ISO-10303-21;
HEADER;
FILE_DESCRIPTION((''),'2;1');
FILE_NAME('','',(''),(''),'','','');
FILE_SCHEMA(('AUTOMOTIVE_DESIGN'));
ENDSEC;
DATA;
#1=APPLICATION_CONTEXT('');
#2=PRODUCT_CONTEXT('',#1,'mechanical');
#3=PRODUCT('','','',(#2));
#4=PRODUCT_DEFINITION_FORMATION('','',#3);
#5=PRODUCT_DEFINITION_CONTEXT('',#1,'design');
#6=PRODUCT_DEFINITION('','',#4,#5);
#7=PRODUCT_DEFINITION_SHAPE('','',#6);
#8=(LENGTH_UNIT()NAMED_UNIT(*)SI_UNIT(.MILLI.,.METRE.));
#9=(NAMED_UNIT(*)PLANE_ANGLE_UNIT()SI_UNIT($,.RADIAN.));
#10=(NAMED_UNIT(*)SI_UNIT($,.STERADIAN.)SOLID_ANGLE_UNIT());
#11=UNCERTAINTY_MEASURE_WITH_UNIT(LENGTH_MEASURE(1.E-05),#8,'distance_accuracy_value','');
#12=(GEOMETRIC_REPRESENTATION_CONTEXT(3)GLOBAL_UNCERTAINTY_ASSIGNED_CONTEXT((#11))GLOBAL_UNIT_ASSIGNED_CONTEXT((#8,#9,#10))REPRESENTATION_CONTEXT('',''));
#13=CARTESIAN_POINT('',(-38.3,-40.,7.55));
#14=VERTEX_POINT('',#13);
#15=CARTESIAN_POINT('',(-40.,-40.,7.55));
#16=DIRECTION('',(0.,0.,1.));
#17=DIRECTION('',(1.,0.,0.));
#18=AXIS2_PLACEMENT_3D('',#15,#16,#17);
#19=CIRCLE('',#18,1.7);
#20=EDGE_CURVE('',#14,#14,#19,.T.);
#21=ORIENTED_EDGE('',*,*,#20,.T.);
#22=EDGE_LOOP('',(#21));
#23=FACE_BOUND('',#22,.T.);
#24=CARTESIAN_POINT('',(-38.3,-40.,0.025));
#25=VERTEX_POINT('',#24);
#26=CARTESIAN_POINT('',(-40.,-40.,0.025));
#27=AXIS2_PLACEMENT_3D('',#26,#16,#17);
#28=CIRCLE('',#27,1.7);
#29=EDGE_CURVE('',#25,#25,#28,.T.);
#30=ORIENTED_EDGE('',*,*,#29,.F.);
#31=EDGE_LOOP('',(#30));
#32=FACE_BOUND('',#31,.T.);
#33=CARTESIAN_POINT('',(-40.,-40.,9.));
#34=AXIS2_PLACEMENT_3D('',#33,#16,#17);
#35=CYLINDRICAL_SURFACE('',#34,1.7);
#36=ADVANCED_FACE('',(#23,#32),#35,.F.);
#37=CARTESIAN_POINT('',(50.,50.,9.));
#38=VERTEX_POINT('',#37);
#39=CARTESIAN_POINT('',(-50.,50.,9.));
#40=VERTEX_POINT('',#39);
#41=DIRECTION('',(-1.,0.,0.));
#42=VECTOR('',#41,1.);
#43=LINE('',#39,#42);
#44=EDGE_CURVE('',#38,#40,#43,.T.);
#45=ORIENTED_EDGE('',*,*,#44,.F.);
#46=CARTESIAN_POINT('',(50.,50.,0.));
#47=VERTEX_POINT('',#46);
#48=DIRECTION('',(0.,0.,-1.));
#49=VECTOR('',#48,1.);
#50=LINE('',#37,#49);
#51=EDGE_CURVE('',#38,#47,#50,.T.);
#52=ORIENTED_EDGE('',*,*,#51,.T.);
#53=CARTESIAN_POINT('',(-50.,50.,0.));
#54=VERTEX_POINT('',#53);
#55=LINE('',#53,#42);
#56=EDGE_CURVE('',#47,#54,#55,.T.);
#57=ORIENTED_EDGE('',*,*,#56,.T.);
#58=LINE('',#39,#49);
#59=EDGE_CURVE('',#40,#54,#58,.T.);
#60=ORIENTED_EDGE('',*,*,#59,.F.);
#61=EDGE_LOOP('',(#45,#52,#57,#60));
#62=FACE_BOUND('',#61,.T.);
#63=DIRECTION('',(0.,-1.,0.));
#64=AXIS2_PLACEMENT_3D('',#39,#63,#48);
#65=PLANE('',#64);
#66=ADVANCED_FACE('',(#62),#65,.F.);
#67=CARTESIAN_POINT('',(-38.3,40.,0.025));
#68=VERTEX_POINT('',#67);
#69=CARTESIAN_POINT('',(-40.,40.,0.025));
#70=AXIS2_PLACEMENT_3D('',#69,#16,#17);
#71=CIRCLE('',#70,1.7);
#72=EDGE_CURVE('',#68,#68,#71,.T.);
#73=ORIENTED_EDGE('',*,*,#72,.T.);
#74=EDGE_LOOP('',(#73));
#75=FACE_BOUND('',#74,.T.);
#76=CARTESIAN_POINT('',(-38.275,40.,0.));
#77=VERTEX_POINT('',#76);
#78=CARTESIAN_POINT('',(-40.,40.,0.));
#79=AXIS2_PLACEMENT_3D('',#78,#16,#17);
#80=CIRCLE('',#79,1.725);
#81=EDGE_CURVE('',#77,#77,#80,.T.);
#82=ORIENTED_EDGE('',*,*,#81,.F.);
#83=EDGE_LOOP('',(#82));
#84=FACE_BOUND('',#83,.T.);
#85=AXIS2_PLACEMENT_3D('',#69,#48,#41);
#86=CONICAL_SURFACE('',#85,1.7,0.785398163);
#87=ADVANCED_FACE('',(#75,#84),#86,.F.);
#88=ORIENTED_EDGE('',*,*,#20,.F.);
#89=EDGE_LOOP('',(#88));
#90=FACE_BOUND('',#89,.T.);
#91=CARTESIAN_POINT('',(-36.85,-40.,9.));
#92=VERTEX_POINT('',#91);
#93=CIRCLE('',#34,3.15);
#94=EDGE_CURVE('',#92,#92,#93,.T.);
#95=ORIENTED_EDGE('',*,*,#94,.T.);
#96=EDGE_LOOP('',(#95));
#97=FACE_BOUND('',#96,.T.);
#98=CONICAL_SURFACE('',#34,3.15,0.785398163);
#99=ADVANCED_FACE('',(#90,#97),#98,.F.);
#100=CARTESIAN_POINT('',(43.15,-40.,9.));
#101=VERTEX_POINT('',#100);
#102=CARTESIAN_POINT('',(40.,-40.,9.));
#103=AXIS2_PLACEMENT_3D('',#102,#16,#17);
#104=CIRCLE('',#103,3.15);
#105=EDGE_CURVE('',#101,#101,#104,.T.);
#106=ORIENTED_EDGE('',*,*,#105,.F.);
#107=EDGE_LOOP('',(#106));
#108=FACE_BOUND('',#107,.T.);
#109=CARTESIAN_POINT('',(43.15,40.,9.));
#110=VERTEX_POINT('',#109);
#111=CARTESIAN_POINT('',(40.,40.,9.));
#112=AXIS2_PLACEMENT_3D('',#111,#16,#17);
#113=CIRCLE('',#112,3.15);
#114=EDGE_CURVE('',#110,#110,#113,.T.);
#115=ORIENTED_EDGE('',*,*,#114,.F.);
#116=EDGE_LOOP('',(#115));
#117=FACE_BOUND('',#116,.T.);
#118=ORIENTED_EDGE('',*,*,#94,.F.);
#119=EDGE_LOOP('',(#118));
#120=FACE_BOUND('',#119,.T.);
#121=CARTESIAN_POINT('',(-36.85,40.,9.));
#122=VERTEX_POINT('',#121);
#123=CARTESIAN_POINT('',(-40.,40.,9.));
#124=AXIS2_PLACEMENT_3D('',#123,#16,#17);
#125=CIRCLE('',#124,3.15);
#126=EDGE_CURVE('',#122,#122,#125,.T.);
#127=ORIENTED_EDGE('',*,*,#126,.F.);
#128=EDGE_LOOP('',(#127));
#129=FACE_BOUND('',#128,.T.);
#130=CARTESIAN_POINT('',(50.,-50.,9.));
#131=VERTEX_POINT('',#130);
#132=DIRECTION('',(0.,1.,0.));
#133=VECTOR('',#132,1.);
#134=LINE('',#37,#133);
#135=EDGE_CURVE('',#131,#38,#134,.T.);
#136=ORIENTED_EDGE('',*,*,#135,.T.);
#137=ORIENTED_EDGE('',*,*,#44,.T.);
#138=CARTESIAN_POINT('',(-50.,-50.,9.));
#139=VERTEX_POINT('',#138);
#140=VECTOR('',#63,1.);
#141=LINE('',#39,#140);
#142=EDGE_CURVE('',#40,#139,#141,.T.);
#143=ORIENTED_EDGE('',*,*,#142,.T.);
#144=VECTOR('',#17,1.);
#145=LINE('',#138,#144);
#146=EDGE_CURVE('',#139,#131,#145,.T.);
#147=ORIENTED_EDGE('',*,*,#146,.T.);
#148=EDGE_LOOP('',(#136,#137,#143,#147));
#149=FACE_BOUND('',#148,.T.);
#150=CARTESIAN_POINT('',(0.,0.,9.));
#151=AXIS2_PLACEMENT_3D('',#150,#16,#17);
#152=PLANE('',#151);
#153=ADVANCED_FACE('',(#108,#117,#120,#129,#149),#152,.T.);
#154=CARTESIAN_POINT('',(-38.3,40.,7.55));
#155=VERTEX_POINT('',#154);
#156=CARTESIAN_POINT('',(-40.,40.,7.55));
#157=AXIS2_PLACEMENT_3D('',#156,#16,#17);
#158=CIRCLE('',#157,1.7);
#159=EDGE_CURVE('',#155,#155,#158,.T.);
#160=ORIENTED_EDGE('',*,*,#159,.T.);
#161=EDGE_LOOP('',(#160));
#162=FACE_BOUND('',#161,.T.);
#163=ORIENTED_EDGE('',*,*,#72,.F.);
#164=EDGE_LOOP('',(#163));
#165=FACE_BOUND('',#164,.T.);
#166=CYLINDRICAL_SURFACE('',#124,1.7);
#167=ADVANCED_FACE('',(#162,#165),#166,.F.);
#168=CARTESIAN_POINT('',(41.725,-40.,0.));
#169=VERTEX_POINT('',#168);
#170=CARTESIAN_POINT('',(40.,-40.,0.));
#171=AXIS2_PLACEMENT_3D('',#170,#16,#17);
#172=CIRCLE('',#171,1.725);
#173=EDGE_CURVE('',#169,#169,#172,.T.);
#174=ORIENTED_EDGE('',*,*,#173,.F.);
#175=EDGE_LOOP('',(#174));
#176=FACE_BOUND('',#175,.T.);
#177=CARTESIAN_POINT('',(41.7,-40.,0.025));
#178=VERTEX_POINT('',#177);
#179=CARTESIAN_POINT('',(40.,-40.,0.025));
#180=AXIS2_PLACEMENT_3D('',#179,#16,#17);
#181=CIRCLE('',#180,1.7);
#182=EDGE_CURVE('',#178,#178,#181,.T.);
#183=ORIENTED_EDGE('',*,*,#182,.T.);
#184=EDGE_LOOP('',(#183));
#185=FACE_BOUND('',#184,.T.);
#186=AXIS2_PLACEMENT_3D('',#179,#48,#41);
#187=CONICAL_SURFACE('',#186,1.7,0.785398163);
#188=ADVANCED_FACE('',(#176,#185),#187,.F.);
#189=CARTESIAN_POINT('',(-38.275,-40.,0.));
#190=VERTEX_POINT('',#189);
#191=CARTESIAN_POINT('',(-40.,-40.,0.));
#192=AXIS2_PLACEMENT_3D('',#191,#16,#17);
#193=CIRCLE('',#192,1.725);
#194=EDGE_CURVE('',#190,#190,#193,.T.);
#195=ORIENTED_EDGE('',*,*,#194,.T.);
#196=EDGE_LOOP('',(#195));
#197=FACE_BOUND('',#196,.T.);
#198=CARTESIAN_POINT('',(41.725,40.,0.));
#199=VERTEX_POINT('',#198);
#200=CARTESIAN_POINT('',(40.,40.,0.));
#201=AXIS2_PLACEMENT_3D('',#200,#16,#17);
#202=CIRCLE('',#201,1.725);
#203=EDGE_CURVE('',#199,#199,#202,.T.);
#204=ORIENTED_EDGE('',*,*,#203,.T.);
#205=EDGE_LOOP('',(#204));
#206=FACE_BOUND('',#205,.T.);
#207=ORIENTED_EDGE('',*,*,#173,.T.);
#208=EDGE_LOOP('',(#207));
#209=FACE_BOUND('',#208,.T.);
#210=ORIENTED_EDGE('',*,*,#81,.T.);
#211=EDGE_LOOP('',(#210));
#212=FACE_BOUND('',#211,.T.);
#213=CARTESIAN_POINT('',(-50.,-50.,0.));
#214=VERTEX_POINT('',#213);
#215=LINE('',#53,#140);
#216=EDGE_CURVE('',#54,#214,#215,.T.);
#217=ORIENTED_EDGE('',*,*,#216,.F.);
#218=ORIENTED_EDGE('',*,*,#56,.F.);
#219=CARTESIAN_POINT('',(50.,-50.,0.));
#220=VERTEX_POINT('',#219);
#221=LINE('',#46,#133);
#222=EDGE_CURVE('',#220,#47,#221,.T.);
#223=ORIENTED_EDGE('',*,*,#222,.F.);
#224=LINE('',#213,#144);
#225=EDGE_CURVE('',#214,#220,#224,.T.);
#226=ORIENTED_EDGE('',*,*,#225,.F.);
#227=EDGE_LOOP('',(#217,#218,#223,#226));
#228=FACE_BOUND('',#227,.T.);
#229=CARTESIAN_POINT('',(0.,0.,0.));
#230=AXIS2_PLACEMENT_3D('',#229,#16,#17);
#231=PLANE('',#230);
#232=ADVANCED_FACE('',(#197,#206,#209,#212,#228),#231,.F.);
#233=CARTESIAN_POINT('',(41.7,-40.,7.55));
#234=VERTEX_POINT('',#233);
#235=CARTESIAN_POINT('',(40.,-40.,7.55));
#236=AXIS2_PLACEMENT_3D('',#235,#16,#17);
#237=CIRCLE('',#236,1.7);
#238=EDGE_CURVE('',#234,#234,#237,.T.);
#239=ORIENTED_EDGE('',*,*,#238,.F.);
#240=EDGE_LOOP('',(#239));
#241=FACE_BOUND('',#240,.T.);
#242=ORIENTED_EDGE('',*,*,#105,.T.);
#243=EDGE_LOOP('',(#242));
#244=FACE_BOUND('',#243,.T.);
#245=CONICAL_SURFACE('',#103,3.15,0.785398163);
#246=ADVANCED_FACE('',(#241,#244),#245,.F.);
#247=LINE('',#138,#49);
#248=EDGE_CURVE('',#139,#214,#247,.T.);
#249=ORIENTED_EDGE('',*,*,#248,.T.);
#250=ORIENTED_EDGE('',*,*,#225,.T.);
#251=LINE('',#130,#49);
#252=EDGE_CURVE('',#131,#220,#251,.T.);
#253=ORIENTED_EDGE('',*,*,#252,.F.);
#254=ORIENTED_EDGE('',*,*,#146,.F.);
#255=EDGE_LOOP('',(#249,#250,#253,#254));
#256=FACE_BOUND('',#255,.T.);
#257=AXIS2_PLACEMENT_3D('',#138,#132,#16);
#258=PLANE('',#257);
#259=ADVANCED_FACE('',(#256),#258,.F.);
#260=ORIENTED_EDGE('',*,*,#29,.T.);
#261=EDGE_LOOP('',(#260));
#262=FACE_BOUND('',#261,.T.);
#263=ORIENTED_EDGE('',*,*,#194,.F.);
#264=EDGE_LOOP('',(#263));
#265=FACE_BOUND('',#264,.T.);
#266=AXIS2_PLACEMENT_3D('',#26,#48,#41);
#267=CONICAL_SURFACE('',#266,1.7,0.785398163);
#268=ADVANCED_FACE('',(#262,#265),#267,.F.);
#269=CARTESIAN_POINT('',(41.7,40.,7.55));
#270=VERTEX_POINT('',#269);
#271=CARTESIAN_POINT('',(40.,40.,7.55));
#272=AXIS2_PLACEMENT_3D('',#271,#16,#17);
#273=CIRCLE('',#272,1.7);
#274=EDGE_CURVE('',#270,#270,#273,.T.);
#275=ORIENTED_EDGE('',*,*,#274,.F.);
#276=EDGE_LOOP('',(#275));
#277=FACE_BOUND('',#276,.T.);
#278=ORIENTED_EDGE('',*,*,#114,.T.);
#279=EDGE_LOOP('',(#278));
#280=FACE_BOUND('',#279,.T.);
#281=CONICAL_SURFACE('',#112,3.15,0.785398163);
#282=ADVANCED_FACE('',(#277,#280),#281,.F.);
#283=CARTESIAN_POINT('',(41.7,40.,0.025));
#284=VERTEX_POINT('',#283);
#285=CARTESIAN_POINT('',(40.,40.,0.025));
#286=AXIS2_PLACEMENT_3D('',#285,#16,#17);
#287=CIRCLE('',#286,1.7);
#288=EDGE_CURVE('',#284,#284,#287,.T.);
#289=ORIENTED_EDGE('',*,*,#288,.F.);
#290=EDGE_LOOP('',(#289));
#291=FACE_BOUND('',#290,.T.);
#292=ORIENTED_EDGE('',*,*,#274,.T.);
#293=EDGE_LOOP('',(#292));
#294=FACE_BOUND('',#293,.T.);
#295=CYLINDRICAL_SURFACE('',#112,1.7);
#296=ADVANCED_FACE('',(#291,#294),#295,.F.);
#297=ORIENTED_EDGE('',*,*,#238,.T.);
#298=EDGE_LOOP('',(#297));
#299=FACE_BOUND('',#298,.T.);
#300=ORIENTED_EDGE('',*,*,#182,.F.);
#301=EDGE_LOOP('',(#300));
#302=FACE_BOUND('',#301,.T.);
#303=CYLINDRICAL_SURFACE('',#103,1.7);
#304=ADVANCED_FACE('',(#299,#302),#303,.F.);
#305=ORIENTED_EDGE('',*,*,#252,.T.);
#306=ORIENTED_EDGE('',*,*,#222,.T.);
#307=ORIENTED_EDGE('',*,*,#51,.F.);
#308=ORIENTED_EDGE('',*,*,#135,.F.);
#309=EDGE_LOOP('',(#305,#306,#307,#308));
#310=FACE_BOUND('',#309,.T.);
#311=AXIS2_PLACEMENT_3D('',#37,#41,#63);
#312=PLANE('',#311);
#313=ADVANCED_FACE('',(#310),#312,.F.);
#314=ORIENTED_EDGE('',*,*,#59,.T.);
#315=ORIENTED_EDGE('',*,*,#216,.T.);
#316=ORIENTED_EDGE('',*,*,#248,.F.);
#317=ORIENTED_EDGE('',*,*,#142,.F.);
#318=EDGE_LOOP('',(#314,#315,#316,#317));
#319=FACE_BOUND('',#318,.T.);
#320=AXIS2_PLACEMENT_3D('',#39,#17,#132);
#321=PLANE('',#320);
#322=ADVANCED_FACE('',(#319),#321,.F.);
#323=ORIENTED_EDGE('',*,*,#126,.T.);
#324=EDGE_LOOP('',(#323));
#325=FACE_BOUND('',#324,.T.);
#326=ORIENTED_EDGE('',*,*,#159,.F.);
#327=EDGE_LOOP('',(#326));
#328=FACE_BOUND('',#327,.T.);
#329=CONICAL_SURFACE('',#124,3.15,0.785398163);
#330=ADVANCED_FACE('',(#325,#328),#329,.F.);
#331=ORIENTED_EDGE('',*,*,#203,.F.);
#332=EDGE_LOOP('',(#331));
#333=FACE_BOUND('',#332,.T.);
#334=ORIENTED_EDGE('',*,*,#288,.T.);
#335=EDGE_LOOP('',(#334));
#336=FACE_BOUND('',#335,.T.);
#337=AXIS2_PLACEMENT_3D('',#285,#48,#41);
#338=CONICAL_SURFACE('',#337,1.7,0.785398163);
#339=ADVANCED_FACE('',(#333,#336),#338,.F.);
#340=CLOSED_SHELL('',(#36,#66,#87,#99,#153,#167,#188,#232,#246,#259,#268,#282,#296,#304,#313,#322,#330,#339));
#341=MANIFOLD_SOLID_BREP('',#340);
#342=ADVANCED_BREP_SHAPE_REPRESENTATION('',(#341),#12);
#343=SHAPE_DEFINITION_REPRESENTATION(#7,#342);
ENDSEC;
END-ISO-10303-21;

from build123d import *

# Parameters (mm, degrees)
SKETCH_1_W                  = 100
SKETCH_1_H                  = 100
EXTRUDE_1_DEPTH             = 9
HOLE_WIZARD_M3_1_AT_2_COUNT = 2
HOLE_WIZARD_M3_1_AT_2_PITCH = 80
HOLE_WIZARD_M3_1_AT_3_COUNT = 2
HOLE_WIZARD_M3_1_AT_3_PITCH = 113.13708499
HOLE_WIZARD_M3_1_AT_4_COUNT = 2
HOLE_WIZARD_M3_1_AT_4_PITCH = 80


with BuildPart() as part:
    # 草圖1 → 填料-伸長1 (new body)
    with BuildSketch(Plane.XY):
        Rectangle(SKETCH_1_W, SKETCH_1_H)
    extrude(amount=EXTRUDE_1_DEPTH)

    # 草圖4 → M3 平頭機械螺釘的錐孔1 (revolve, cut)
    with BuildSketch(Plane(origin=(-40, 40, 9), x_dir=(0, -1, 0), z_dir=(1, 0, 0))):
        Polygon((0, 0), (0, 9), (1.725, 9), (1.7, 8.975), (1.7, 1.45), (3.15, 0), align=None)
    hole_wizard_m3_1 = revolve(axis=Axis((-40, 40, 15.35), (0, 0, -1)), mode=Mode.SUBTRACT)

    # M3 平頭機械螺釘的錐孔1 at 2: M3 平頭機械螺釘的錐孔1 ×2
    with Locations(*[(i * HOLE_WIZARD_M3_1_AT_2_PITCH, 0, 0) for i in range(1, HOLE_WIZARD_M3_1_AT_2_COUNT)]):
        add(hole_wizard_m3_1, mode=Mode.SUBTRACT)

    # M3 平頭機械螺釘的錐孔1 at 3: M3 平頭機械螺釘的錐孔1 ×2
    with Locations(*[Vector(0.7071067811865476, -0.7071067811865476, 0) * (i * HOLE_WIZARD_M3_1_AT_3_PITCH) for i in range(1, HOLE_WIZARD_M3_1_AT_3_COUNT)]):
        add(hole_wizard_m3_1, mode=Mode.SUBTRACT)

    # M3 平頭機械螺釘的錐孔1 at 4: M3 平頭機械螺釘的錐孔1 ×2
    with Locations(*[(0, -i * HOLE_WIZARD_M3_1_AT_4_PITCH, 0) for i in range(1, HOLE_WIZARD_M3_1_AT_4_COUNT)]):
        add(hole_wizard_m3_1, mode=Mode.SUBTRACT)


solid = part.part
